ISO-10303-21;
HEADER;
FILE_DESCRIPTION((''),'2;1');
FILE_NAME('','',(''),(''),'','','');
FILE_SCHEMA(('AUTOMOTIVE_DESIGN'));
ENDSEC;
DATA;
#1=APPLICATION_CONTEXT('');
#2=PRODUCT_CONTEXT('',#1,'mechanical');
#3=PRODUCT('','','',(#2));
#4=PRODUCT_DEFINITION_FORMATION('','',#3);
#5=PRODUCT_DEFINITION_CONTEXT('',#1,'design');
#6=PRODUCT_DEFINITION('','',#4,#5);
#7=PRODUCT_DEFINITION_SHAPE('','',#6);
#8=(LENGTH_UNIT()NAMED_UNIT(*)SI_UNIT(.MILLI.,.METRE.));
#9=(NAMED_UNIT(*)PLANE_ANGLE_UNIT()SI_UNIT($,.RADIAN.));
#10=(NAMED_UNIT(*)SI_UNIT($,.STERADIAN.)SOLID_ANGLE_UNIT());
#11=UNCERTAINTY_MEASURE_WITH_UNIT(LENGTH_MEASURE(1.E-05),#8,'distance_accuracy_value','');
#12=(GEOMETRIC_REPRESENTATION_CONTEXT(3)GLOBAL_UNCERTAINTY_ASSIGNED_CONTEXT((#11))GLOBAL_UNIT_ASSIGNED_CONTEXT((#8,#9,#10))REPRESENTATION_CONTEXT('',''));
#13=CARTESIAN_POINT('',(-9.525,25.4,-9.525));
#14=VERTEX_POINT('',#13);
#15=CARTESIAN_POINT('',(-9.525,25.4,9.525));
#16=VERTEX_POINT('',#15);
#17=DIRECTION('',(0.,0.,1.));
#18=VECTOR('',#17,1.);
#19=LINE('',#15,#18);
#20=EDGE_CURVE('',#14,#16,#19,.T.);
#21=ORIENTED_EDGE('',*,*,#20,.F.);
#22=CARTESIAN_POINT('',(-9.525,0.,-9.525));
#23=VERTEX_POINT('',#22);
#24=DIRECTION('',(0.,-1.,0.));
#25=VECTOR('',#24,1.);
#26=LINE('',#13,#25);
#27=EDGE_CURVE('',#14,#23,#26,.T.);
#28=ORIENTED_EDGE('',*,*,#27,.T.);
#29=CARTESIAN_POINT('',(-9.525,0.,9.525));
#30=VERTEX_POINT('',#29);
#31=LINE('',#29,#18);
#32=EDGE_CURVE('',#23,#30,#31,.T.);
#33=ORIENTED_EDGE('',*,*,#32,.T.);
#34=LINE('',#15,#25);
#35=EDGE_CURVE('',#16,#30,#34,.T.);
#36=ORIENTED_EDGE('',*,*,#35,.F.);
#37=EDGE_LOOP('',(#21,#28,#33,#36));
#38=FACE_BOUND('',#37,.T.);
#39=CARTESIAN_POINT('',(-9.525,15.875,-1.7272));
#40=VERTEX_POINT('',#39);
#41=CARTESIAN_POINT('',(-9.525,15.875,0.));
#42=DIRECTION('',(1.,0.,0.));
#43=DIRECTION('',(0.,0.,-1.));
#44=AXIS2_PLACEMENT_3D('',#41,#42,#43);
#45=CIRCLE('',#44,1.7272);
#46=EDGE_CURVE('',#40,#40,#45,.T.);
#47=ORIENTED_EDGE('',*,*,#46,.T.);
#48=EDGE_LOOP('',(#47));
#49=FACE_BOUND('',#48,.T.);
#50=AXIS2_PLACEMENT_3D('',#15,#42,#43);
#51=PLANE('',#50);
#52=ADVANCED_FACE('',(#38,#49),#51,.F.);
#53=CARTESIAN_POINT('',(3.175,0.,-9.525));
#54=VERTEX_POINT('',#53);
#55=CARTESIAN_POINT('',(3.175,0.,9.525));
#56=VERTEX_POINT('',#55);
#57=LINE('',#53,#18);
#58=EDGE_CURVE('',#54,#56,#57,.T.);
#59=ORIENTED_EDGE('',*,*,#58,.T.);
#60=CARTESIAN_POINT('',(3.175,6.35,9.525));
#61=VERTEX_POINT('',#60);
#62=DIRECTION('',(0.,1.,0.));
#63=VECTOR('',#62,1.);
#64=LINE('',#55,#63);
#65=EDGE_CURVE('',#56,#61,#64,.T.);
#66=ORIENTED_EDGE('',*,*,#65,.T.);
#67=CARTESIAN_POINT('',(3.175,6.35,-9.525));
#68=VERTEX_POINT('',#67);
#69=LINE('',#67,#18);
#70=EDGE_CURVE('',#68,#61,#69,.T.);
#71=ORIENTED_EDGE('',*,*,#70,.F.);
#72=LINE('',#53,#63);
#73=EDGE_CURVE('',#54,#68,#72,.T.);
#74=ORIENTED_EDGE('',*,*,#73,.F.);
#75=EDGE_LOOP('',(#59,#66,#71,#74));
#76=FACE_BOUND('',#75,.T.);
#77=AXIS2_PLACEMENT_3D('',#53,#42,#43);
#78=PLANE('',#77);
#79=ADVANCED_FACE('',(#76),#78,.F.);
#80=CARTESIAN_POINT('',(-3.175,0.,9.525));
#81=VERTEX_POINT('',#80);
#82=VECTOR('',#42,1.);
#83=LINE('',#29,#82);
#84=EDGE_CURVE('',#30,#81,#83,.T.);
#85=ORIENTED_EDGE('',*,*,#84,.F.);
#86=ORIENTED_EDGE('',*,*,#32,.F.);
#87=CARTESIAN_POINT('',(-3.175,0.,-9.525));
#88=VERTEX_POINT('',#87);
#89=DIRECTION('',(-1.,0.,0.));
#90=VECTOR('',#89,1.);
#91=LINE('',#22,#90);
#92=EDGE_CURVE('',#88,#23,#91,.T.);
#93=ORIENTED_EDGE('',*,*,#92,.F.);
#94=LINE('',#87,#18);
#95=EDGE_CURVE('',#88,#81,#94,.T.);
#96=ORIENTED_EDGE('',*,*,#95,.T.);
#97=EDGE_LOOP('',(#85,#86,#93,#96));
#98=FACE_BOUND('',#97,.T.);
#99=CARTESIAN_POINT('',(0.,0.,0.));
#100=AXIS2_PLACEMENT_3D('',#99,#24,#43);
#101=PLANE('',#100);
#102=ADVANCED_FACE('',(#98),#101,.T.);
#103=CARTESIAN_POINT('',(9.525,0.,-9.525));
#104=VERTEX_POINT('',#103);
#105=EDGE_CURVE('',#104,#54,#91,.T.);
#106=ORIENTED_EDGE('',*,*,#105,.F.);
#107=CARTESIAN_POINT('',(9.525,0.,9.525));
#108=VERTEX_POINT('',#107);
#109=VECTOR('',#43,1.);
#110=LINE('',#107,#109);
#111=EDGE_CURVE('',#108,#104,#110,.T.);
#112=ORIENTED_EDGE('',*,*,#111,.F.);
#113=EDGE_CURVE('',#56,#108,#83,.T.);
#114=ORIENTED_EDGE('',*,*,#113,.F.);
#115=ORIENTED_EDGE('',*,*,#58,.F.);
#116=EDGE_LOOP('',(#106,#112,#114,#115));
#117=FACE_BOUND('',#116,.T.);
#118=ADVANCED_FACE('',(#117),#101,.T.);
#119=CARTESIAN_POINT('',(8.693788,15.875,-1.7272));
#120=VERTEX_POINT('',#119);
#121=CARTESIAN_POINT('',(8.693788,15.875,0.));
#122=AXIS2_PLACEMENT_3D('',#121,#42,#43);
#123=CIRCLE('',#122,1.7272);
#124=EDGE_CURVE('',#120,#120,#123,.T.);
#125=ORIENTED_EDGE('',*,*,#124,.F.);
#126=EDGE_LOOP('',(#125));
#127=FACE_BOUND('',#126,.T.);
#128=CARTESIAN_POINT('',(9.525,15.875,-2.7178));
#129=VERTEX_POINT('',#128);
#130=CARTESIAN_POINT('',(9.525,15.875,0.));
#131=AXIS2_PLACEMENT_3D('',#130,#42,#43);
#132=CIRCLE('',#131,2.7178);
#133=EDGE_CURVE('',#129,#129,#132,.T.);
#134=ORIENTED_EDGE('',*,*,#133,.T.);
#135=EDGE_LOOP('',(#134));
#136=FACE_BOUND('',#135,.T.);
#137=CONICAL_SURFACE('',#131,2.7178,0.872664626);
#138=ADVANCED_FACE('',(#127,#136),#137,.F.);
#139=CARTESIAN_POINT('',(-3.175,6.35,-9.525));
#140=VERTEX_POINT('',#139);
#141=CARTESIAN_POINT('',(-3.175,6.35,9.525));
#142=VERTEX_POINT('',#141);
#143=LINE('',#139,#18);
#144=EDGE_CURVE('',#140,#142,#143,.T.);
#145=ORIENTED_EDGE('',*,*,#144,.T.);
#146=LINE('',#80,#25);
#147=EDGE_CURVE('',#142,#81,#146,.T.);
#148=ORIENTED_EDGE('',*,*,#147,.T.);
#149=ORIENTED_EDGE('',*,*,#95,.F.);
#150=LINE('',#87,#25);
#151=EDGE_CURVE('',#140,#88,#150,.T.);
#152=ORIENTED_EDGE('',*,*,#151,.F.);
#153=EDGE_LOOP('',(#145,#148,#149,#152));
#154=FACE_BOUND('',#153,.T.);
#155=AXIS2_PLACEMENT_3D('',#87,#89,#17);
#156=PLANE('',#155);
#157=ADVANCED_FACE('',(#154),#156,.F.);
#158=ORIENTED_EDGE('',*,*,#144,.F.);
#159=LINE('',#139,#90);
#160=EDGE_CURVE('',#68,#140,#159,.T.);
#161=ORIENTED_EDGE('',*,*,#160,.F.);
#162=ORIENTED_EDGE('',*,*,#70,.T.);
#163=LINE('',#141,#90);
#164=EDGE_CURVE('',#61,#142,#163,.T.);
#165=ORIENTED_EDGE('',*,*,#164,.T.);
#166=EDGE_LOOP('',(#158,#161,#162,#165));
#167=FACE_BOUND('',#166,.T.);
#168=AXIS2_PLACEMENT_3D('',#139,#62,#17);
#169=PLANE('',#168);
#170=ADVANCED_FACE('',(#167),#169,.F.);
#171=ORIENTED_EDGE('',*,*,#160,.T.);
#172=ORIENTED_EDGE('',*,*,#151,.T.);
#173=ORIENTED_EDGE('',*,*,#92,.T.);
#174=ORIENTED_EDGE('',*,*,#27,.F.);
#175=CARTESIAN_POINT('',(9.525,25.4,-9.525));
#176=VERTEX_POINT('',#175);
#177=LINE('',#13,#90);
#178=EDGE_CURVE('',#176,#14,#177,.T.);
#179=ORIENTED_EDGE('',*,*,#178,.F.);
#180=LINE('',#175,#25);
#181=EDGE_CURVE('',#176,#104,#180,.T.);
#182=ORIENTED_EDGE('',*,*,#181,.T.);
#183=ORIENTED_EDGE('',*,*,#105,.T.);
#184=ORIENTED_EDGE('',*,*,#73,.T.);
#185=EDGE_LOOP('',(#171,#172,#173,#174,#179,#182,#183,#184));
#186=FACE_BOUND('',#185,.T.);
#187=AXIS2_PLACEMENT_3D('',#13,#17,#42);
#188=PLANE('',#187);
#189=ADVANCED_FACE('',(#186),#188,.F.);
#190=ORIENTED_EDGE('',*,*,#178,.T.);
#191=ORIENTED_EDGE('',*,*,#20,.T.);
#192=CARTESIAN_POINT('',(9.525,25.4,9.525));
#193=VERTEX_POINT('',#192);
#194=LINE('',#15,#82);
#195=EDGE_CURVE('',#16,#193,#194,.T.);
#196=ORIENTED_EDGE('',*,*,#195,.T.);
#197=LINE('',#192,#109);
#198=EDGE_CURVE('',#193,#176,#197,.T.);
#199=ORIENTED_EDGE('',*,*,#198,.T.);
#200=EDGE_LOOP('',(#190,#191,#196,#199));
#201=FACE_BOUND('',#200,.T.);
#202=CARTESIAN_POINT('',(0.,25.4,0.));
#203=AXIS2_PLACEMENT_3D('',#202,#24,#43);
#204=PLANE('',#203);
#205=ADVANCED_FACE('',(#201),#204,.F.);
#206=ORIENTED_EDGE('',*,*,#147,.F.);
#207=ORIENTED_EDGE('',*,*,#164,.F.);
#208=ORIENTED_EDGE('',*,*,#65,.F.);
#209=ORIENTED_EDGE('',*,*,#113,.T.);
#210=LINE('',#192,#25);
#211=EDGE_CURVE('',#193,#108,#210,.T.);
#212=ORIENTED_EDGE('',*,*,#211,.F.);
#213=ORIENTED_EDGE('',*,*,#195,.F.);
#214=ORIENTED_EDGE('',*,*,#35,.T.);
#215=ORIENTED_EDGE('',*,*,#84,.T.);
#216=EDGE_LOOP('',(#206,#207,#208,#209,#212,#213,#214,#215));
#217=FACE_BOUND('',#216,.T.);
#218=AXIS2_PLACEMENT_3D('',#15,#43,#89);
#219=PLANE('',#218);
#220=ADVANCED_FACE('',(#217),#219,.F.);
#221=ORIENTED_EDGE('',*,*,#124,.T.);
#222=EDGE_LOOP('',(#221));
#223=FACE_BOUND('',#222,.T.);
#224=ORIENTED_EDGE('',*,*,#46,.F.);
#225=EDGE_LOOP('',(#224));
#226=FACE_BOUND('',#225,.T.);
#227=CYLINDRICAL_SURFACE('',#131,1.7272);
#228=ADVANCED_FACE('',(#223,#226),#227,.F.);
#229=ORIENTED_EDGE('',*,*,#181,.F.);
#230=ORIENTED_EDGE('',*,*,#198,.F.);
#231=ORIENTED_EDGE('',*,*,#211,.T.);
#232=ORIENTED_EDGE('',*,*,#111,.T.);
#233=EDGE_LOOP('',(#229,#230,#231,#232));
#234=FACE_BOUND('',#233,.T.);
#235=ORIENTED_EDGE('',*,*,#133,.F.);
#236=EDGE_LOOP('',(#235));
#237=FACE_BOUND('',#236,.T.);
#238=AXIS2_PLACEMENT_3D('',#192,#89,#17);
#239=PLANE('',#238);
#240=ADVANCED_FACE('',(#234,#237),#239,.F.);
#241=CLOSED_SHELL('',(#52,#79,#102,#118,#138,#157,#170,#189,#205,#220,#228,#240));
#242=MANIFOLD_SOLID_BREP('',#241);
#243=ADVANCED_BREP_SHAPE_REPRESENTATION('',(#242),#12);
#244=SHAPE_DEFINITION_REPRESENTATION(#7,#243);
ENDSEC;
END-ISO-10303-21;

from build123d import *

# Parameters (mm, degrees)
SKETCH1_W                       = 19.05
SKETCH1_H                       = 19.05
BOSS_EXTRUDE1_DEPTH             = 25.4
SKETCH2_W                       = 6.35
SKETCH2_H                       = 6.35
CUT_EXTRUDE1_DEPTH              = 20.05
F_8_32_TAPPED_HOLE1_D           = 3.4544
F_8_32_TAPPED_HOLE1_CSINK_D     = 5.4356
F_8_32_TAPPED_HOLE1_CSINK_ANGLE = 100


with BuildPart() as part:
    # Sketch1 → Boss-Extrude1 (new body)
    with BuildSketch(Plane(origin=(0, 0, 0), x_dir=(1, 0, 0), z_dir=(0, 1, 0))):
        Rectangle(SKETCH1_W, SKETCH1_H)
    extrude(amount=BOSS_EXTRUDE1_DEPTH)

    # Sketch2 → Cut-Extrude1 (cut, through all)
    with BuildSketch(Plane.XY.offset(9.525)):
        with Locations((0, 3.175)):
            Rectangle(SKETCH2_W, SKETCH2_H)
    extrude(amount=-CUT_EXTRUDE1_DEPTH, mode=Mode.SUBTRACT)

    # #8-32 Tapped Hole1 (through all)
    with Locations(Plane(origin=(9.525, 0, 0), x_dir=(0, 0, 1), z_dir=(1, 0, 0))):
        with Locations((0, -15.875)):
            CounterSinkHole(F_8_32_TAPPED_HOLE1_D / 2, F_8_32_TAPPED_HOLE1_CSINK_D / 2, counter_sink_angle=F_8_32_TAPPED_HOLE1_CSINK_ANGLE)


solid = part.part
